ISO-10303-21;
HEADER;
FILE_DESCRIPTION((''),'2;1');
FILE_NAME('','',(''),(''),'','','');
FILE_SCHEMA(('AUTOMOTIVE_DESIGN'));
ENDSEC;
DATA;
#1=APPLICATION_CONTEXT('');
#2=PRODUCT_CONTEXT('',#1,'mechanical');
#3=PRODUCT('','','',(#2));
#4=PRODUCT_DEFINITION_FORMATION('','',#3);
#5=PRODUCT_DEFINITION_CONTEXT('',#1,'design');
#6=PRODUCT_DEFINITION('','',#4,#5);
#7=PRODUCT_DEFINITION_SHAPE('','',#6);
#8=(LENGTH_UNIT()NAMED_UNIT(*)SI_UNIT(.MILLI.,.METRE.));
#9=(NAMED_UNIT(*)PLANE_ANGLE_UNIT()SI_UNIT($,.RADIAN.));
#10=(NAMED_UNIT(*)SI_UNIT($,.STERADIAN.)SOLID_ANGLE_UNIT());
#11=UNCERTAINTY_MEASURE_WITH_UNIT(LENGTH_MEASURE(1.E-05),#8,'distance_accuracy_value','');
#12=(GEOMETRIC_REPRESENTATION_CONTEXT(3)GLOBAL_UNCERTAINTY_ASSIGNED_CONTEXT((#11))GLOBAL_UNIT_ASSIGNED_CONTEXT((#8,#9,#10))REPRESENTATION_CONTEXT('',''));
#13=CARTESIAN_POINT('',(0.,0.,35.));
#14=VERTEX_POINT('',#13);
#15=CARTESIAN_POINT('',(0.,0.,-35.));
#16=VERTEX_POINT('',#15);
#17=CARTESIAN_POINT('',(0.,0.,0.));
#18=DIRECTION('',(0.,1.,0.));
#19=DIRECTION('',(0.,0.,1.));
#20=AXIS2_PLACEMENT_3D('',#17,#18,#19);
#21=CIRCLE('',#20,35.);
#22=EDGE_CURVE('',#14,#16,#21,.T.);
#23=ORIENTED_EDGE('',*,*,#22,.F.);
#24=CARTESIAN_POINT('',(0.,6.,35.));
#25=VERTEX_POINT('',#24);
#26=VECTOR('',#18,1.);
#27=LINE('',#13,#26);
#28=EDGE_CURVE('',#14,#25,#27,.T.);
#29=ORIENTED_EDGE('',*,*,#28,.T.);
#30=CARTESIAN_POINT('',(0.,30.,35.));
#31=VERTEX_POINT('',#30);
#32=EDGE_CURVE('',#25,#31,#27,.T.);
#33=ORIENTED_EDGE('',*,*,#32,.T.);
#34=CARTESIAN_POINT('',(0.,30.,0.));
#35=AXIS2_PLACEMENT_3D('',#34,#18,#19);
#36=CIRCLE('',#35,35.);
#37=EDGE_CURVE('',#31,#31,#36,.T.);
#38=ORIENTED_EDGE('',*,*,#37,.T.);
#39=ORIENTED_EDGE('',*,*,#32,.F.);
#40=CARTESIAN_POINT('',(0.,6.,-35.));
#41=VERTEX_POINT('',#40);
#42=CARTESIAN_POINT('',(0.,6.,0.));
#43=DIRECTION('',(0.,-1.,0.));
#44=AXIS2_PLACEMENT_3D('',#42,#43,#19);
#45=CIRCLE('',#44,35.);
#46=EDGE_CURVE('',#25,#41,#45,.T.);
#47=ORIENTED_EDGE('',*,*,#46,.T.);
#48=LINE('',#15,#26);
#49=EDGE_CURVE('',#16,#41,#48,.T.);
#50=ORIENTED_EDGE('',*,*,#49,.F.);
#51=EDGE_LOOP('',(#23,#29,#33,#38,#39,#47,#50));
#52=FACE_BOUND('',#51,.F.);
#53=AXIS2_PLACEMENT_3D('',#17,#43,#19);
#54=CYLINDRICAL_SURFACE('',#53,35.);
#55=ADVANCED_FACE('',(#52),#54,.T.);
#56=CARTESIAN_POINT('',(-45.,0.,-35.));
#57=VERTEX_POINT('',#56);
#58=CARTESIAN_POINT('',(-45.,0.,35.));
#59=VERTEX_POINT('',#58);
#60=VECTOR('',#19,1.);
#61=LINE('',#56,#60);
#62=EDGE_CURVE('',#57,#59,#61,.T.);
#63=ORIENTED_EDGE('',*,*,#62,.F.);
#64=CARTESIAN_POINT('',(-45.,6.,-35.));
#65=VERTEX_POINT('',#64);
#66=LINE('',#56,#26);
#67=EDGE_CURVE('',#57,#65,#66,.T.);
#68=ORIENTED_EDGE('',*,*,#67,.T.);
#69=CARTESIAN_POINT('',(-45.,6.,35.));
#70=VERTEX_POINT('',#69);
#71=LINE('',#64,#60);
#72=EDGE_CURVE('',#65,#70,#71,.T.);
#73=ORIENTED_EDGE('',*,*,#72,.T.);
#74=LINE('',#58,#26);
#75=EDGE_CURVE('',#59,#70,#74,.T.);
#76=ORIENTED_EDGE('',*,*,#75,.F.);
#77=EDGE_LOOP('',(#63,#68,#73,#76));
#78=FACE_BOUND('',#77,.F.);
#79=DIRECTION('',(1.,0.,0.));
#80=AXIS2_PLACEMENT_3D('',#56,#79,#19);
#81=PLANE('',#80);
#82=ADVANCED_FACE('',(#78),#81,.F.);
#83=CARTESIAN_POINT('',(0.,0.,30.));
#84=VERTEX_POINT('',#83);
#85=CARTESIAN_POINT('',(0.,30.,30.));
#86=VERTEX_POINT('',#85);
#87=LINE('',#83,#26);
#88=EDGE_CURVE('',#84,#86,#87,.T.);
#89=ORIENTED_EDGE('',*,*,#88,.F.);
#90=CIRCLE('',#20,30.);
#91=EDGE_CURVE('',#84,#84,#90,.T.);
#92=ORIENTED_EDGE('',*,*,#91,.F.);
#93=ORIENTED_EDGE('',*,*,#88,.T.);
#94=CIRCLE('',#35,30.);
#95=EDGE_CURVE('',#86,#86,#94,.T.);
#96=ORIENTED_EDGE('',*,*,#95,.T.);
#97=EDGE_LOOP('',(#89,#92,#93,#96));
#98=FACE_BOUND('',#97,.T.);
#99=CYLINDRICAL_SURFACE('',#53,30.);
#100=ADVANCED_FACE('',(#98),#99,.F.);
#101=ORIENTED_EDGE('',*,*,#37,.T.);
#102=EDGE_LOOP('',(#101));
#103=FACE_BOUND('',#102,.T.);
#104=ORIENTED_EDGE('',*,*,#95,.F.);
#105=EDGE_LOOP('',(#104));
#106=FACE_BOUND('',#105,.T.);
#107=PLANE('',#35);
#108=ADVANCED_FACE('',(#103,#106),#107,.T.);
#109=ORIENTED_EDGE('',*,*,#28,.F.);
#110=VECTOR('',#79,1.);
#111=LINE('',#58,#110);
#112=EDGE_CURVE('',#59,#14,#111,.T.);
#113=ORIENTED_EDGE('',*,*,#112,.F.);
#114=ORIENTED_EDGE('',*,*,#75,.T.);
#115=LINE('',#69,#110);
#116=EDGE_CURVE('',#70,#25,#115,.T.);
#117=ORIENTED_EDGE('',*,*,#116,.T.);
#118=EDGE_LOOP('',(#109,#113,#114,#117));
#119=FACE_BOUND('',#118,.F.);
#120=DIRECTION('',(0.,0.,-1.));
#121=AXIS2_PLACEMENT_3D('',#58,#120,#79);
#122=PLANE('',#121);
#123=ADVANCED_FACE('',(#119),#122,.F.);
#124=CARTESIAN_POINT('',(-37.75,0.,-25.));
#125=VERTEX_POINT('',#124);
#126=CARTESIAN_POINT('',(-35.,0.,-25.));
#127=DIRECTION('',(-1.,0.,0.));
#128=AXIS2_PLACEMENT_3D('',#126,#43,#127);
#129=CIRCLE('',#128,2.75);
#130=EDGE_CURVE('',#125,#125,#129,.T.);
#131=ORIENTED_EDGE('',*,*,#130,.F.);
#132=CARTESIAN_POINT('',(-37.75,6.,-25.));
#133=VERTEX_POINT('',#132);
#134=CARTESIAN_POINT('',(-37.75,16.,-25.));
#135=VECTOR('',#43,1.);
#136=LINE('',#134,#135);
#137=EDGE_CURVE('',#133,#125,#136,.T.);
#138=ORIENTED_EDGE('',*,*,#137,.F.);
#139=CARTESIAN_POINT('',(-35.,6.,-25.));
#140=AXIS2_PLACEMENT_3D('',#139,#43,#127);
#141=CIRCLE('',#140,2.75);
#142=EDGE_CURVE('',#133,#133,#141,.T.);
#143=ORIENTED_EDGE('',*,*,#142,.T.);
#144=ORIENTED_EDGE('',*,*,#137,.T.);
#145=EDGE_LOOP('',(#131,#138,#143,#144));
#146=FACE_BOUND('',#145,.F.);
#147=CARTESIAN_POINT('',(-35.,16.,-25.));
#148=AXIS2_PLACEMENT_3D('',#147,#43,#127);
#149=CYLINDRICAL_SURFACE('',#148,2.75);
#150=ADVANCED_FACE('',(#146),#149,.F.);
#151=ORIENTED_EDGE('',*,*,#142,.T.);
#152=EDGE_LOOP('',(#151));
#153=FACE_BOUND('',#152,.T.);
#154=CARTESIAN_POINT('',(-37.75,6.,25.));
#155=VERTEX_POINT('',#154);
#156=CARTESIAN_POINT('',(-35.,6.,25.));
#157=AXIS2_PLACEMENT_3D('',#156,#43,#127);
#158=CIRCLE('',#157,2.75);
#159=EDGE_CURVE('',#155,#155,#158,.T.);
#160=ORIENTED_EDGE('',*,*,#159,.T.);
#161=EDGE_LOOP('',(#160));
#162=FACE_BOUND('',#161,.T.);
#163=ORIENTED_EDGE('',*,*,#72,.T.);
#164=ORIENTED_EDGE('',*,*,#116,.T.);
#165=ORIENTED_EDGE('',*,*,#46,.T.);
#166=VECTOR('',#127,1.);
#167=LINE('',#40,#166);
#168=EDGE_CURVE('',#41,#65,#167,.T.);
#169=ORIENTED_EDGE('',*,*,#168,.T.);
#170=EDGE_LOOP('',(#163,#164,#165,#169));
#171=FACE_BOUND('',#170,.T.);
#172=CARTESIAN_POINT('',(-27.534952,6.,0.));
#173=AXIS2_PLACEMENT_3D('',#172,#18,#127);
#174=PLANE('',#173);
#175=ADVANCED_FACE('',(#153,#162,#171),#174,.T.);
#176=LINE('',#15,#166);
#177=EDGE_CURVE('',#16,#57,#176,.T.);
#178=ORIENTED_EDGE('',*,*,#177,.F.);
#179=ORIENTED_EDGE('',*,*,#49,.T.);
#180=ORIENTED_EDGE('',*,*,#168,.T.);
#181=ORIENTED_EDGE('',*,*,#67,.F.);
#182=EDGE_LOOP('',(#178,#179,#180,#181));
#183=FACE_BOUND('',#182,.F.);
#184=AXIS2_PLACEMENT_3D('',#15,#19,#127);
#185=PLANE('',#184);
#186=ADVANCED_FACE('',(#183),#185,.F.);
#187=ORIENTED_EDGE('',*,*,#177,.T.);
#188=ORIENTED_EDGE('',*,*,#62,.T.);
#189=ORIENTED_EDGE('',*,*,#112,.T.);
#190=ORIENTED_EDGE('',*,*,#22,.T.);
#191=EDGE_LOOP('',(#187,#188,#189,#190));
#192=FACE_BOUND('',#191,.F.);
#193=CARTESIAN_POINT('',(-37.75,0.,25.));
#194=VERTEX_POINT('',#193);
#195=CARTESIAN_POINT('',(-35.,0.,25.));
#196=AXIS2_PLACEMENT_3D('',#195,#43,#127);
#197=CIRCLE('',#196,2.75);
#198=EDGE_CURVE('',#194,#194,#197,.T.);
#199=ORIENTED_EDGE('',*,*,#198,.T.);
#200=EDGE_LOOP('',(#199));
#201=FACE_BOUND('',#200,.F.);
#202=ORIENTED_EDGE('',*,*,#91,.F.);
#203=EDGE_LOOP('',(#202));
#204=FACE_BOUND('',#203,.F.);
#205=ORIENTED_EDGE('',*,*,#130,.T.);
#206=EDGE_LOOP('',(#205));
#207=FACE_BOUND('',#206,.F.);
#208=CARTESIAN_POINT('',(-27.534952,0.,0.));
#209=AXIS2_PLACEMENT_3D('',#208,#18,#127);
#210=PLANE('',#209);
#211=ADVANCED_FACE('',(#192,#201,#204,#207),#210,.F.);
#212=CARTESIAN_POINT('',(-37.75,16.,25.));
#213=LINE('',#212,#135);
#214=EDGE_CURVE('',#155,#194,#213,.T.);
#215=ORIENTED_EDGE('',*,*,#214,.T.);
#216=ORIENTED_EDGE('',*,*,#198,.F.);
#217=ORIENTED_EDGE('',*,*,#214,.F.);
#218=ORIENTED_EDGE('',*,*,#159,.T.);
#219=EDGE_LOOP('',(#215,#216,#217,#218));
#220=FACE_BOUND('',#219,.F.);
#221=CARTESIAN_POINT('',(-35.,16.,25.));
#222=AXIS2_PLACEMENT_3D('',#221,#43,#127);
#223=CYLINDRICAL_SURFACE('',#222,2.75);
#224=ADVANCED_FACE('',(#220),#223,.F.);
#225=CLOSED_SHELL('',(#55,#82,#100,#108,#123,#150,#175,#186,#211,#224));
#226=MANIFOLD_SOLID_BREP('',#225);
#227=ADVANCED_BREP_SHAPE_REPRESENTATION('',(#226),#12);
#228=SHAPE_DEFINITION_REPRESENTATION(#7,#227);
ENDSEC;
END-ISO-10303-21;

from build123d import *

# Parameters (mm, degrees)
SKETCH1_R                = 35
SKETCH1_R_2              = 30
BOSS_EXTRUDE1_DEPTH      = 30
BOSS_EXTRUDE2_DEPTH      = 6
M5_CLEARANCE_HOLE1_D     = 5.5
M5_CLEARANCE_HOLE1_DEPTH = 10
M5_CLEARANCE_HOLE1_TIP   = 1.652366702


with BuildPart() as part:
    # Sketch1 → Boss-Extrude1 (new body)
    with BuildSketch(Plane(origin=(0, 0, 0), x_dir=(1, 0, 0), z_dir=(0, 1, 0))):
        with Locations(Location((0, 0, 0), (0, 0, 270))):
            Circle(SKETCH1_R)
        with Locations(Location((0, 0, 0), (0, 0, 270))):
            Circle(SKETCH1_R_2, mode=Mode.SUBTRACT)
    extrude(amount=BOSS_EXTRUDE1_DEPTH)

    # Sketch2 → Boss-Extrude2 (add)
    with BuildSketch(Plane.XZ):
        with BuildLine():
            Line((0, -35), (-45, -35))
            Line((-45, -35), (-45, 35))
            Line((-45, 35), (0, 35))
            ThreePointArc((0, 35), (-35, 0), (0, -35))
        make_face()
    extrude(amount=-BOSS_EXTRUDE2_DEPTH)

    # M5 Clearance Hole1
    with Locations(Plane(origin=(0, 6, 0), x_dir=(1, 0, 0), z_dir=(0, 1, 0))):
        with Locations((-35, 25), (-35, -25)):
            Hole(M5_CLEARANCE_HOLE1_D / 2, depth=M5_CLEARANCE_HOLE1_DEPTH)
            with Locations((0, 0, -(M5_CLEARANCE_HOLE1_DEPTH + M5_CLEARANCE_HOLE1_TIP / 2))):  # 118° drill point
                Cone(0, M5_CLEARANCE_HOLE1_D / 2, M5_CLEARANCE_HOLE1_TIP, mode=Mode.SUBTRACT)


solid = part.part
